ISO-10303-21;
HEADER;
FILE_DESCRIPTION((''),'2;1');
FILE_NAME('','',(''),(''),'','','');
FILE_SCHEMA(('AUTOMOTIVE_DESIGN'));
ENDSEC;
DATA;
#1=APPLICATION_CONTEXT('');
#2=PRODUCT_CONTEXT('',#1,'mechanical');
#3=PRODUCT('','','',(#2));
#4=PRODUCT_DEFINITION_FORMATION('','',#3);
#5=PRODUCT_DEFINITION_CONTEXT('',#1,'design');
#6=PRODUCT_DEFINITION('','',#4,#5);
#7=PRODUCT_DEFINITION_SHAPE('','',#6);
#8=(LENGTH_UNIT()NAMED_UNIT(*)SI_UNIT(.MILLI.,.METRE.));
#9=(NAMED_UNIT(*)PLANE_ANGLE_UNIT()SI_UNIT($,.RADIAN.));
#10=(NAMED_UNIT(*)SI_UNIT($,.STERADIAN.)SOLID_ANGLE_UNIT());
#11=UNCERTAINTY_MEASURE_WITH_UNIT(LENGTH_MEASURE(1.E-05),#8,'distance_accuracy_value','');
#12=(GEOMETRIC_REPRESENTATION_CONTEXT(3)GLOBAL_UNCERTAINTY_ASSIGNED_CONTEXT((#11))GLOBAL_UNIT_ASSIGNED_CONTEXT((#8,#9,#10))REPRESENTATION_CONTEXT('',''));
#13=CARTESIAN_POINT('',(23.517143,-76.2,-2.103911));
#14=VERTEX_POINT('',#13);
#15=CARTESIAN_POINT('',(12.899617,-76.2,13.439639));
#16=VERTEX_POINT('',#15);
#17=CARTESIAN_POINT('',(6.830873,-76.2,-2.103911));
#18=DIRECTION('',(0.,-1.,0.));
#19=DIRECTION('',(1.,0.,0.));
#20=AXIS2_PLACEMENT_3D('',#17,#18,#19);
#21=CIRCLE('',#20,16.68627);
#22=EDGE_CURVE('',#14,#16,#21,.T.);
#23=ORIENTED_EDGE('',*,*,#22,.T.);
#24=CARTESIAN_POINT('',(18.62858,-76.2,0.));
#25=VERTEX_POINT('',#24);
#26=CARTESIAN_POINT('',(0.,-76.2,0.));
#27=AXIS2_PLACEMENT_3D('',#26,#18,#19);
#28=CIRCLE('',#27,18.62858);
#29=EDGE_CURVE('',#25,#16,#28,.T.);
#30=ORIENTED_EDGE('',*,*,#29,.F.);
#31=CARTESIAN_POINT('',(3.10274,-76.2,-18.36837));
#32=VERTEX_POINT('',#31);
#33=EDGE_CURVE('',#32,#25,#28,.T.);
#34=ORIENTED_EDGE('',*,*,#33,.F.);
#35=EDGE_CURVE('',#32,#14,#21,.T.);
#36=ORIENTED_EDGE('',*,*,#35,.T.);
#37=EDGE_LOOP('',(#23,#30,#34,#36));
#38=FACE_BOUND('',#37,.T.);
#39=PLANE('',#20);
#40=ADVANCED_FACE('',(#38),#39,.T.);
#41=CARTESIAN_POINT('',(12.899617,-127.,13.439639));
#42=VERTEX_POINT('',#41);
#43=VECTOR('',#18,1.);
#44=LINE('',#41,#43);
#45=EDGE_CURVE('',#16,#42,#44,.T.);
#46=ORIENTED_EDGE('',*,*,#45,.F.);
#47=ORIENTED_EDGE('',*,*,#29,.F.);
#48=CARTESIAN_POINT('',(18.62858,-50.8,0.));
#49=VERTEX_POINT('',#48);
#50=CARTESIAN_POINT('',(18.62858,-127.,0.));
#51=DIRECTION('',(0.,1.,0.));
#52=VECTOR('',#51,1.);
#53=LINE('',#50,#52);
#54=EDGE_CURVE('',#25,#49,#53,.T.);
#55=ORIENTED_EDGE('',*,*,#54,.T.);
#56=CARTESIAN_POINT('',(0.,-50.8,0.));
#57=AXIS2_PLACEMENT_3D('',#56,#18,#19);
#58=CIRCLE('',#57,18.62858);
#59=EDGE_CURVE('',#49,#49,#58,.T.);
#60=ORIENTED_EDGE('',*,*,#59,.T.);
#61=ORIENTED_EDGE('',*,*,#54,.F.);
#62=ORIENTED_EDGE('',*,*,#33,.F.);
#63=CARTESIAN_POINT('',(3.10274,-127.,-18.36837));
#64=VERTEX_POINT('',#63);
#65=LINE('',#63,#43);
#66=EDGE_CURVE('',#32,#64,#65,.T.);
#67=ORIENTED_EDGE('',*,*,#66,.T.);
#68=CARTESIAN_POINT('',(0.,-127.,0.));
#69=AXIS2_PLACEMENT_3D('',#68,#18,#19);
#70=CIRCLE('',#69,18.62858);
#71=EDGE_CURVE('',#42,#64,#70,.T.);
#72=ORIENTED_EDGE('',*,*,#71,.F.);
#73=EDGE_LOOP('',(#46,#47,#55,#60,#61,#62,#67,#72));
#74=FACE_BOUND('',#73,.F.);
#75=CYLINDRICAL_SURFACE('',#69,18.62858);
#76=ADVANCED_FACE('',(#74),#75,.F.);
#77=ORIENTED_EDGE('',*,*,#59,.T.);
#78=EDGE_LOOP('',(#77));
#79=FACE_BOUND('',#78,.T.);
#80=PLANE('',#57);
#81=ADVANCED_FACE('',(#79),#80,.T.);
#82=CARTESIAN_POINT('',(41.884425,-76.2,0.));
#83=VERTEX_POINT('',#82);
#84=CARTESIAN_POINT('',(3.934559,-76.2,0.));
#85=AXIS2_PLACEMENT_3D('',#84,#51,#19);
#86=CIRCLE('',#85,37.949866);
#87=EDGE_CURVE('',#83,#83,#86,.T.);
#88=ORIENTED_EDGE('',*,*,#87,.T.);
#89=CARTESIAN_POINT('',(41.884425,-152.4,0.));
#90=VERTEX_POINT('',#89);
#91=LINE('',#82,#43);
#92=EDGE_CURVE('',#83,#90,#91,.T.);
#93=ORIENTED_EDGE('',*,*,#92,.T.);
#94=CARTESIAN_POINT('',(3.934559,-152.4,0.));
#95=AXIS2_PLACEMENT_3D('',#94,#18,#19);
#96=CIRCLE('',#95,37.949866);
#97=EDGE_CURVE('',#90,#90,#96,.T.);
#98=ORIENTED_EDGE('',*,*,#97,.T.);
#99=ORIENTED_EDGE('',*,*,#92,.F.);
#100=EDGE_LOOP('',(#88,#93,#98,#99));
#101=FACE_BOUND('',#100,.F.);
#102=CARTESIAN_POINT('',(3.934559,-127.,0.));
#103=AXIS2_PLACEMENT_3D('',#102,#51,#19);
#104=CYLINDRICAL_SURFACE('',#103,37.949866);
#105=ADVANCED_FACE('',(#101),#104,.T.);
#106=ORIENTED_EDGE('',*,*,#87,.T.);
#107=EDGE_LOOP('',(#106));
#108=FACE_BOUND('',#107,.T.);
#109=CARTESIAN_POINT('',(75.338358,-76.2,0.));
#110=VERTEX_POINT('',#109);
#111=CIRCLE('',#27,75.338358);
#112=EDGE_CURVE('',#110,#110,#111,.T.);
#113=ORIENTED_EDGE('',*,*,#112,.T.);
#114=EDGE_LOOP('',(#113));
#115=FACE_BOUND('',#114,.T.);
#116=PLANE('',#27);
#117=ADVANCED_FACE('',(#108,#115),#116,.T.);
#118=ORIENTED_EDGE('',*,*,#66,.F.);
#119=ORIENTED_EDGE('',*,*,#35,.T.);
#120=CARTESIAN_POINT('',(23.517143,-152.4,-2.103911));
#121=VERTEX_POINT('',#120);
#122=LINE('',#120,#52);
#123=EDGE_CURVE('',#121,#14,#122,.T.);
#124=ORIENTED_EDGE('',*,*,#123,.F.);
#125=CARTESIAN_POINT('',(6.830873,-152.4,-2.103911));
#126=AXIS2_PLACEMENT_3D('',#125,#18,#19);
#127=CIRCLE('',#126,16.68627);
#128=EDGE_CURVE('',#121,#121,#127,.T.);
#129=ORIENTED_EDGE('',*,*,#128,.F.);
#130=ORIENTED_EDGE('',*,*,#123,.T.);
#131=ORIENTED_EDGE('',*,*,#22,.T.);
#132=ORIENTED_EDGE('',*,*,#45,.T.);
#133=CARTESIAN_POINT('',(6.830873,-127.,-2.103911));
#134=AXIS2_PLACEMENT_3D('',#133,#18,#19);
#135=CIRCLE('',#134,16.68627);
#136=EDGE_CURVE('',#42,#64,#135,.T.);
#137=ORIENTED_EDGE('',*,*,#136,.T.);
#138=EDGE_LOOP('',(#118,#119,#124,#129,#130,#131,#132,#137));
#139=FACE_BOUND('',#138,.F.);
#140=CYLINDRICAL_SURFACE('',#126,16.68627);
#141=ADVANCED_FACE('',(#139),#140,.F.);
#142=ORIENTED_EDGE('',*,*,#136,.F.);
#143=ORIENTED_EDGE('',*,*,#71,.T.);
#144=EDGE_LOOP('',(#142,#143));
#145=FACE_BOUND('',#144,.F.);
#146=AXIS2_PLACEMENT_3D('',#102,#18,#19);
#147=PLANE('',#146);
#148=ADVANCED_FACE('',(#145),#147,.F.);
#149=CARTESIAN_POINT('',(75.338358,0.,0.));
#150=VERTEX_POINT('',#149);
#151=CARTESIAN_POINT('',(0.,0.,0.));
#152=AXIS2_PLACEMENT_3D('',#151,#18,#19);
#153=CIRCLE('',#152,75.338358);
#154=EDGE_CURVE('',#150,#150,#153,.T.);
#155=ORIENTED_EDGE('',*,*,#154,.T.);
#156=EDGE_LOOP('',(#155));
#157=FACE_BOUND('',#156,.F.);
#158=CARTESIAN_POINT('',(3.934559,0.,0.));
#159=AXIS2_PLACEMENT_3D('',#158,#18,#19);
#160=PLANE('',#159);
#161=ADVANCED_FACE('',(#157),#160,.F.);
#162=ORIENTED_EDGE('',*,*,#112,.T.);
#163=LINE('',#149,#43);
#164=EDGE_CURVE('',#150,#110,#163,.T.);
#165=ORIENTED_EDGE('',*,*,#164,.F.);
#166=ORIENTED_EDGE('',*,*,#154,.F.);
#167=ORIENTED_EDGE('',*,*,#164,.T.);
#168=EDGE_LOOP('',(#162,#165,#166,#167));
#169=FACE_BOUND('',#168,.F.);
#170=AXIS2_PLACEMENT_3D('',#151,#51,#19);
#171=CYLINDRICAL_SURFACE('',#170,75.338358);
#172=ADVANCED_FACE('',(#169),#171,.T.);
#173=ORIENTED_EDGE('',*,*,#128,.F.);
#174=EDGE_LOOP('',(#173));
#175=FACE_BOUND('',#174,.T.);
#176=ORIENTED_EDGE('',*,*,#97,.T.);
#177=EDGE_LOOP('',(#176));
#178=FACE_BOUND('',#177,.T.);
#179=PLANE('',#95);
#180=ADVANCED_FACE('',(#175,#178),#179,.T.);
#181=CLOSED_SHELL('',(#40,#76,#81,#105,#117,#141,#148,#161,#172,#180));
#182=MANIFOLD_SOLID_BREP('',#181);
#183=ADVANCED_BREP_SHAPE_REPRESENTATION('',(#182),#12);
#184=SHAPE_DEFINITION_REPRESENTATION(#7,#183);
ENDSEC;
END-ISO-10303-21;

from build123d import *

# Parameters (mm, degrees)
F0_R      = 75.3383577212
F1_DEPTH  = 76.2
F2_R      = 37.9498660495
F3_DEPTH  = 127
F5_R      = 18.6285804239
F6_DEPTH  = 76.2
F4_R      = 37.9498660495
F7_DEPTH  = 76.2
F8_DEPTH  = 50.8
F9_R      = 16.6862695849
F10_DEPTH = 76.2


with BuildPart() as f1:
    # F0 (on Front) → F1 (new body)
    with BuildSketch(Plane.XZ):
        Circle(F0_R)
    extrude(amount=F1_DEPTH)

    # F2 (on Front) → F3 (join)
    with BuildSketch(Plane.XZ):
        with Locations((3.9345594123, 0)):
            Circle(F2_R)
    extrude(amount=F3_DEPTH)

    # F5 (on face) → F6 (cut)
    with BuildSketch(Plane.XZ.offset(127)):
        Circle(F5_R)
    extrude(amount=-F6_DEPTH, mode=Mode.SUBTRACT)

    # F4 (on face) → F7 (join)
    with BuildSketch(Plane.XZ.offset(127)):
        with Locations((3.9345594123, 0)):
            Circle(F4_R)
    extrude(amount=F7_DEPTH)

    # F8 (cut): a face of the model
    f8_faces = [f1.faces().sort_by_distance(p)[0] for p in [
        (3.9345594123, -203.2, 0),
    ]]
    extrude(f8_faces, amount=-F8_DEPTH, mode=Mode.SUBTRACT)

    # F9 (on face) → F10 (cut)
    with BuildSketch(Plane.XZ.offset(152.4)):
        with Locations((6.8308734335, -2.1039112471)):
            Circle(F9_R)
    extrude(amount=-F10_DEPTH, mode=Mode.SUBTRACT)


solid = f1.part
